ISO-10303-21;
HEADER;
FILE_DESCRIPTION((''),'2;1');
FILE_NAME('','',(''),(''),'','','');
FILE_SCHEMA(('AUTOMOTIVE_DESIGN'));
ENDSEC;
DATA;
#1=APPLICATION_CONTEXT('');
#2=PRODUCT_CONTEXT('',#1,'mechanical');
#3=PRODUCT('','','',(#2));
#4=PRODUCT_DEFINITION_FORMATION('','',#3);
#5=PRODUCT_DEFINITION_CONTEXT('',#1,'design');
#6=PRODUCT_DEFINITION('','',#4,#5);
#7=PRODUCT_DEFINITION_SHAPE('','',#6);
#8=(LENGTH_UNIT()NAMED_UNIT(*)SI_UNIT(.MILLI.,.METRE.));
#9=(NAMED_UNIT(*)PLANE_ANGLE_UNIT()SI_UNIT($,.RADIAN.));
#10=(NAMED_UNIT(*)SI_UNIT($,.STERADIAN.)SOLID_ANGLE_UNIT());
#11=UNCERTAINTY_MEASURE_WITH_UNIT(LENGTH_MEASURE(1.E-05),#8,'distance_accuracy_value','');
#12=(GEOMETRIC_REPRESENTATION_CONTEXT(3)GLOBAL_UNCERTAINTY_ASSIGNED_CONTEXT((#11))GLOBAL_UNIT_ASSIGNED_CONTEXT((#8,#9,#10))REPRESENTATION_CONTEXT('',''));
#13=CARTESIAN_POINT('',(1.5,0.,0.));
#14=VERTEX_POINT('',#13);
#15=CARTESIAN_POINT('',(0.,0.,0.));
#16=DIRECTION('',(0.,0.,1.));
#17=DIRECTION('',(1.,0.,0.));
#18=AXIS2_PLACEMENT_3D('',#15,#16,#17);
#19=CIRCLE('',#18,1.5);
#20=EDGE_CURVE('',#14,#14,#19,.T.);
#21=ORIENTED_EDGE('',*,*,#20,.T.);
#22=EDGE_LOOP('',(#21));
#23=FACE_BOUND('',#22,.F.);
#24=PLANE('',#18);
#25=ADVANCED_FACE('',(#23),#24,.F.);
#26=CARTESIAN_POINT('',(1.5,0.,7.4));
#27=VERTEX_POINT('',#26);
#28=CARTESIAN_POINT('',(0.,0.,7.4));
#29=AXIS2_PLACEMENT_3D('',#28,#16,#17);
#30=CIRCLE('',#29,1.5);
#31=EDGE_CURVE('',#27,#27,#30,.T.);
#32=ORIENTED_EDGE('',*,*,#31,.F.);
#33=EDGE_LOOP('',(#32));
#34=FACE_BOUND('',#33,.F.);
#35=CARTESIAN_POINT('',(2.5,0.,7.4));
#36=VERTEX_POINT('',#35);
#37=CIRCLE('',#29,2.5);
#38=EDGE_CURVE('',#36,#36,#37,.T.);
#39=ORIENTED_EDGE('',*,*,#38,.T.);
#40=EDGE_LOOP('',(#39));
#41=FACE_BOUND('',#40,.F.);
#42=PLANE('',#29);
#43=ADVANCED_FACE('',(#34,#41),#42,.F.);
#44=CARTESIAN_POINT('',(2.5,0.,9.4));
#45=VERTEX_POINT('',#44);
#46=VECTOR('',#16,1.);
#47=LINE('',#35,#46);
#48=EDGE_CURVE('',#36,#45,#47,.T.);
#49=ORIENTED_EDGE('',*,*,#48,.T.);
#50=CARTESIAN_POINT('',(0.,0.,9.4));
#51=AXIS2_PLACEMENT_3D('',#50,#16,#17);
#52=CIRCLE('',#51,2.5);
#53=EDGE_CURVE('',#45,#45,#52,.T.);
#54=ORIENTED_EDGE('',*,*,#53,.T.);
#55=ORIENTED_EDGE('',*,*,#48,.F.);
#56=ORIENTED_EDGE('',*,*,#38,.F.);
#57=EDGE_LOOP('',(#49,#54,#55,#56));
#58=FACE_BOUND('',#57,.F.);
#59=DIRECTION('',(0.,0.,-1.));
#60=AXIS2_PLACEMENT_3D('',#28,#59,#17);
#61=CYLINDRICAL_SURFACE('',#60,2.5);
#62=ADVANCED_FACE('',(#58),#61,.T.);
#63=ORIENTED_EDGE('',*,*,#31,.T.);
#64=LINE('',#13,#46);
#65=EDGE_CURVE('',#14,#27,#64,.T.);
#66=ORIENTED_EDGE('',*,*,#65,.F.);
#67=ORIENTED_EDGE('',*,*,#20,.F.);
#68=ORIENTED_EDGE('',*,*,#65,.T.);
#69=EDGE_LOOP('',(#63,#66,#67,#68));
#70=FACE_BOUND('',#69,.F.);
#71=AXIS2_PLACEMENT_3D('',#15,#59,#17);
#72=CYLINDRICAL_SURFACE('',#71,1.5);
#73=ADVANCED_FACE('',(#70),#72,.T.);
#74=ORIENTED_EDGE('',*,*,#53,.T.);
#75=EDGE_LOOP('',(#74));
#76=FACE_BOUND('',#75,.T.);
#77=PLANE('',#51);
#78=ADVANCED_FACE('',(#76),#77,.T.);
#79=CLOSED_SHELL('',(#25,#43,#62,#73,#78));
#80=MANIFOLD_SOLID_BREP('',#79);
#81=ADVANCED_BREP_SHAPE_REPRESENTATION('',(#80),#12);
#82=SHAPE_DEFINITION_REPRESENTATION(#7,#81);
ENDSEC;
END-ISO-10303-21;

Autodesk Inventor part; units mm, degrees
ref_plane "YZ Plane" through (0, 0, 0) normal (1, 0, 0) x (0, 1, 0)
ref_plane "XZ Plane" through (0, 0, 0) normal (0, 1, 0) x (-1, 0, 0)
ref_plane "XY Plane" through (0, 0, 0) normal (0, 0, 1) x (1, 0, 0)
sketch "Sketch1" plane through (0, 0, 0) normal (0, 0, 1) x (1, 0, 0)
  circle A0 centre (0, 0) radius 1.5
  dimension "d0" = 3
extrude "Extrusion1" add sketch "Sketch1" along normal blind 7.4
sketch "Sketch2" plane through (0, 0, 7.4) normal (0, 0, 1) x (1, 0, 0)
  circle A0 centre (0, 0) radius 1.5 projected
  circle A1 centre (0, 0) radius 2.5
  dimension "d3" = 5
extrude "Extrusion2" add sketch "Sketch2" along normal blind 2 contours A0 | A1
properties part number "Kolek"
